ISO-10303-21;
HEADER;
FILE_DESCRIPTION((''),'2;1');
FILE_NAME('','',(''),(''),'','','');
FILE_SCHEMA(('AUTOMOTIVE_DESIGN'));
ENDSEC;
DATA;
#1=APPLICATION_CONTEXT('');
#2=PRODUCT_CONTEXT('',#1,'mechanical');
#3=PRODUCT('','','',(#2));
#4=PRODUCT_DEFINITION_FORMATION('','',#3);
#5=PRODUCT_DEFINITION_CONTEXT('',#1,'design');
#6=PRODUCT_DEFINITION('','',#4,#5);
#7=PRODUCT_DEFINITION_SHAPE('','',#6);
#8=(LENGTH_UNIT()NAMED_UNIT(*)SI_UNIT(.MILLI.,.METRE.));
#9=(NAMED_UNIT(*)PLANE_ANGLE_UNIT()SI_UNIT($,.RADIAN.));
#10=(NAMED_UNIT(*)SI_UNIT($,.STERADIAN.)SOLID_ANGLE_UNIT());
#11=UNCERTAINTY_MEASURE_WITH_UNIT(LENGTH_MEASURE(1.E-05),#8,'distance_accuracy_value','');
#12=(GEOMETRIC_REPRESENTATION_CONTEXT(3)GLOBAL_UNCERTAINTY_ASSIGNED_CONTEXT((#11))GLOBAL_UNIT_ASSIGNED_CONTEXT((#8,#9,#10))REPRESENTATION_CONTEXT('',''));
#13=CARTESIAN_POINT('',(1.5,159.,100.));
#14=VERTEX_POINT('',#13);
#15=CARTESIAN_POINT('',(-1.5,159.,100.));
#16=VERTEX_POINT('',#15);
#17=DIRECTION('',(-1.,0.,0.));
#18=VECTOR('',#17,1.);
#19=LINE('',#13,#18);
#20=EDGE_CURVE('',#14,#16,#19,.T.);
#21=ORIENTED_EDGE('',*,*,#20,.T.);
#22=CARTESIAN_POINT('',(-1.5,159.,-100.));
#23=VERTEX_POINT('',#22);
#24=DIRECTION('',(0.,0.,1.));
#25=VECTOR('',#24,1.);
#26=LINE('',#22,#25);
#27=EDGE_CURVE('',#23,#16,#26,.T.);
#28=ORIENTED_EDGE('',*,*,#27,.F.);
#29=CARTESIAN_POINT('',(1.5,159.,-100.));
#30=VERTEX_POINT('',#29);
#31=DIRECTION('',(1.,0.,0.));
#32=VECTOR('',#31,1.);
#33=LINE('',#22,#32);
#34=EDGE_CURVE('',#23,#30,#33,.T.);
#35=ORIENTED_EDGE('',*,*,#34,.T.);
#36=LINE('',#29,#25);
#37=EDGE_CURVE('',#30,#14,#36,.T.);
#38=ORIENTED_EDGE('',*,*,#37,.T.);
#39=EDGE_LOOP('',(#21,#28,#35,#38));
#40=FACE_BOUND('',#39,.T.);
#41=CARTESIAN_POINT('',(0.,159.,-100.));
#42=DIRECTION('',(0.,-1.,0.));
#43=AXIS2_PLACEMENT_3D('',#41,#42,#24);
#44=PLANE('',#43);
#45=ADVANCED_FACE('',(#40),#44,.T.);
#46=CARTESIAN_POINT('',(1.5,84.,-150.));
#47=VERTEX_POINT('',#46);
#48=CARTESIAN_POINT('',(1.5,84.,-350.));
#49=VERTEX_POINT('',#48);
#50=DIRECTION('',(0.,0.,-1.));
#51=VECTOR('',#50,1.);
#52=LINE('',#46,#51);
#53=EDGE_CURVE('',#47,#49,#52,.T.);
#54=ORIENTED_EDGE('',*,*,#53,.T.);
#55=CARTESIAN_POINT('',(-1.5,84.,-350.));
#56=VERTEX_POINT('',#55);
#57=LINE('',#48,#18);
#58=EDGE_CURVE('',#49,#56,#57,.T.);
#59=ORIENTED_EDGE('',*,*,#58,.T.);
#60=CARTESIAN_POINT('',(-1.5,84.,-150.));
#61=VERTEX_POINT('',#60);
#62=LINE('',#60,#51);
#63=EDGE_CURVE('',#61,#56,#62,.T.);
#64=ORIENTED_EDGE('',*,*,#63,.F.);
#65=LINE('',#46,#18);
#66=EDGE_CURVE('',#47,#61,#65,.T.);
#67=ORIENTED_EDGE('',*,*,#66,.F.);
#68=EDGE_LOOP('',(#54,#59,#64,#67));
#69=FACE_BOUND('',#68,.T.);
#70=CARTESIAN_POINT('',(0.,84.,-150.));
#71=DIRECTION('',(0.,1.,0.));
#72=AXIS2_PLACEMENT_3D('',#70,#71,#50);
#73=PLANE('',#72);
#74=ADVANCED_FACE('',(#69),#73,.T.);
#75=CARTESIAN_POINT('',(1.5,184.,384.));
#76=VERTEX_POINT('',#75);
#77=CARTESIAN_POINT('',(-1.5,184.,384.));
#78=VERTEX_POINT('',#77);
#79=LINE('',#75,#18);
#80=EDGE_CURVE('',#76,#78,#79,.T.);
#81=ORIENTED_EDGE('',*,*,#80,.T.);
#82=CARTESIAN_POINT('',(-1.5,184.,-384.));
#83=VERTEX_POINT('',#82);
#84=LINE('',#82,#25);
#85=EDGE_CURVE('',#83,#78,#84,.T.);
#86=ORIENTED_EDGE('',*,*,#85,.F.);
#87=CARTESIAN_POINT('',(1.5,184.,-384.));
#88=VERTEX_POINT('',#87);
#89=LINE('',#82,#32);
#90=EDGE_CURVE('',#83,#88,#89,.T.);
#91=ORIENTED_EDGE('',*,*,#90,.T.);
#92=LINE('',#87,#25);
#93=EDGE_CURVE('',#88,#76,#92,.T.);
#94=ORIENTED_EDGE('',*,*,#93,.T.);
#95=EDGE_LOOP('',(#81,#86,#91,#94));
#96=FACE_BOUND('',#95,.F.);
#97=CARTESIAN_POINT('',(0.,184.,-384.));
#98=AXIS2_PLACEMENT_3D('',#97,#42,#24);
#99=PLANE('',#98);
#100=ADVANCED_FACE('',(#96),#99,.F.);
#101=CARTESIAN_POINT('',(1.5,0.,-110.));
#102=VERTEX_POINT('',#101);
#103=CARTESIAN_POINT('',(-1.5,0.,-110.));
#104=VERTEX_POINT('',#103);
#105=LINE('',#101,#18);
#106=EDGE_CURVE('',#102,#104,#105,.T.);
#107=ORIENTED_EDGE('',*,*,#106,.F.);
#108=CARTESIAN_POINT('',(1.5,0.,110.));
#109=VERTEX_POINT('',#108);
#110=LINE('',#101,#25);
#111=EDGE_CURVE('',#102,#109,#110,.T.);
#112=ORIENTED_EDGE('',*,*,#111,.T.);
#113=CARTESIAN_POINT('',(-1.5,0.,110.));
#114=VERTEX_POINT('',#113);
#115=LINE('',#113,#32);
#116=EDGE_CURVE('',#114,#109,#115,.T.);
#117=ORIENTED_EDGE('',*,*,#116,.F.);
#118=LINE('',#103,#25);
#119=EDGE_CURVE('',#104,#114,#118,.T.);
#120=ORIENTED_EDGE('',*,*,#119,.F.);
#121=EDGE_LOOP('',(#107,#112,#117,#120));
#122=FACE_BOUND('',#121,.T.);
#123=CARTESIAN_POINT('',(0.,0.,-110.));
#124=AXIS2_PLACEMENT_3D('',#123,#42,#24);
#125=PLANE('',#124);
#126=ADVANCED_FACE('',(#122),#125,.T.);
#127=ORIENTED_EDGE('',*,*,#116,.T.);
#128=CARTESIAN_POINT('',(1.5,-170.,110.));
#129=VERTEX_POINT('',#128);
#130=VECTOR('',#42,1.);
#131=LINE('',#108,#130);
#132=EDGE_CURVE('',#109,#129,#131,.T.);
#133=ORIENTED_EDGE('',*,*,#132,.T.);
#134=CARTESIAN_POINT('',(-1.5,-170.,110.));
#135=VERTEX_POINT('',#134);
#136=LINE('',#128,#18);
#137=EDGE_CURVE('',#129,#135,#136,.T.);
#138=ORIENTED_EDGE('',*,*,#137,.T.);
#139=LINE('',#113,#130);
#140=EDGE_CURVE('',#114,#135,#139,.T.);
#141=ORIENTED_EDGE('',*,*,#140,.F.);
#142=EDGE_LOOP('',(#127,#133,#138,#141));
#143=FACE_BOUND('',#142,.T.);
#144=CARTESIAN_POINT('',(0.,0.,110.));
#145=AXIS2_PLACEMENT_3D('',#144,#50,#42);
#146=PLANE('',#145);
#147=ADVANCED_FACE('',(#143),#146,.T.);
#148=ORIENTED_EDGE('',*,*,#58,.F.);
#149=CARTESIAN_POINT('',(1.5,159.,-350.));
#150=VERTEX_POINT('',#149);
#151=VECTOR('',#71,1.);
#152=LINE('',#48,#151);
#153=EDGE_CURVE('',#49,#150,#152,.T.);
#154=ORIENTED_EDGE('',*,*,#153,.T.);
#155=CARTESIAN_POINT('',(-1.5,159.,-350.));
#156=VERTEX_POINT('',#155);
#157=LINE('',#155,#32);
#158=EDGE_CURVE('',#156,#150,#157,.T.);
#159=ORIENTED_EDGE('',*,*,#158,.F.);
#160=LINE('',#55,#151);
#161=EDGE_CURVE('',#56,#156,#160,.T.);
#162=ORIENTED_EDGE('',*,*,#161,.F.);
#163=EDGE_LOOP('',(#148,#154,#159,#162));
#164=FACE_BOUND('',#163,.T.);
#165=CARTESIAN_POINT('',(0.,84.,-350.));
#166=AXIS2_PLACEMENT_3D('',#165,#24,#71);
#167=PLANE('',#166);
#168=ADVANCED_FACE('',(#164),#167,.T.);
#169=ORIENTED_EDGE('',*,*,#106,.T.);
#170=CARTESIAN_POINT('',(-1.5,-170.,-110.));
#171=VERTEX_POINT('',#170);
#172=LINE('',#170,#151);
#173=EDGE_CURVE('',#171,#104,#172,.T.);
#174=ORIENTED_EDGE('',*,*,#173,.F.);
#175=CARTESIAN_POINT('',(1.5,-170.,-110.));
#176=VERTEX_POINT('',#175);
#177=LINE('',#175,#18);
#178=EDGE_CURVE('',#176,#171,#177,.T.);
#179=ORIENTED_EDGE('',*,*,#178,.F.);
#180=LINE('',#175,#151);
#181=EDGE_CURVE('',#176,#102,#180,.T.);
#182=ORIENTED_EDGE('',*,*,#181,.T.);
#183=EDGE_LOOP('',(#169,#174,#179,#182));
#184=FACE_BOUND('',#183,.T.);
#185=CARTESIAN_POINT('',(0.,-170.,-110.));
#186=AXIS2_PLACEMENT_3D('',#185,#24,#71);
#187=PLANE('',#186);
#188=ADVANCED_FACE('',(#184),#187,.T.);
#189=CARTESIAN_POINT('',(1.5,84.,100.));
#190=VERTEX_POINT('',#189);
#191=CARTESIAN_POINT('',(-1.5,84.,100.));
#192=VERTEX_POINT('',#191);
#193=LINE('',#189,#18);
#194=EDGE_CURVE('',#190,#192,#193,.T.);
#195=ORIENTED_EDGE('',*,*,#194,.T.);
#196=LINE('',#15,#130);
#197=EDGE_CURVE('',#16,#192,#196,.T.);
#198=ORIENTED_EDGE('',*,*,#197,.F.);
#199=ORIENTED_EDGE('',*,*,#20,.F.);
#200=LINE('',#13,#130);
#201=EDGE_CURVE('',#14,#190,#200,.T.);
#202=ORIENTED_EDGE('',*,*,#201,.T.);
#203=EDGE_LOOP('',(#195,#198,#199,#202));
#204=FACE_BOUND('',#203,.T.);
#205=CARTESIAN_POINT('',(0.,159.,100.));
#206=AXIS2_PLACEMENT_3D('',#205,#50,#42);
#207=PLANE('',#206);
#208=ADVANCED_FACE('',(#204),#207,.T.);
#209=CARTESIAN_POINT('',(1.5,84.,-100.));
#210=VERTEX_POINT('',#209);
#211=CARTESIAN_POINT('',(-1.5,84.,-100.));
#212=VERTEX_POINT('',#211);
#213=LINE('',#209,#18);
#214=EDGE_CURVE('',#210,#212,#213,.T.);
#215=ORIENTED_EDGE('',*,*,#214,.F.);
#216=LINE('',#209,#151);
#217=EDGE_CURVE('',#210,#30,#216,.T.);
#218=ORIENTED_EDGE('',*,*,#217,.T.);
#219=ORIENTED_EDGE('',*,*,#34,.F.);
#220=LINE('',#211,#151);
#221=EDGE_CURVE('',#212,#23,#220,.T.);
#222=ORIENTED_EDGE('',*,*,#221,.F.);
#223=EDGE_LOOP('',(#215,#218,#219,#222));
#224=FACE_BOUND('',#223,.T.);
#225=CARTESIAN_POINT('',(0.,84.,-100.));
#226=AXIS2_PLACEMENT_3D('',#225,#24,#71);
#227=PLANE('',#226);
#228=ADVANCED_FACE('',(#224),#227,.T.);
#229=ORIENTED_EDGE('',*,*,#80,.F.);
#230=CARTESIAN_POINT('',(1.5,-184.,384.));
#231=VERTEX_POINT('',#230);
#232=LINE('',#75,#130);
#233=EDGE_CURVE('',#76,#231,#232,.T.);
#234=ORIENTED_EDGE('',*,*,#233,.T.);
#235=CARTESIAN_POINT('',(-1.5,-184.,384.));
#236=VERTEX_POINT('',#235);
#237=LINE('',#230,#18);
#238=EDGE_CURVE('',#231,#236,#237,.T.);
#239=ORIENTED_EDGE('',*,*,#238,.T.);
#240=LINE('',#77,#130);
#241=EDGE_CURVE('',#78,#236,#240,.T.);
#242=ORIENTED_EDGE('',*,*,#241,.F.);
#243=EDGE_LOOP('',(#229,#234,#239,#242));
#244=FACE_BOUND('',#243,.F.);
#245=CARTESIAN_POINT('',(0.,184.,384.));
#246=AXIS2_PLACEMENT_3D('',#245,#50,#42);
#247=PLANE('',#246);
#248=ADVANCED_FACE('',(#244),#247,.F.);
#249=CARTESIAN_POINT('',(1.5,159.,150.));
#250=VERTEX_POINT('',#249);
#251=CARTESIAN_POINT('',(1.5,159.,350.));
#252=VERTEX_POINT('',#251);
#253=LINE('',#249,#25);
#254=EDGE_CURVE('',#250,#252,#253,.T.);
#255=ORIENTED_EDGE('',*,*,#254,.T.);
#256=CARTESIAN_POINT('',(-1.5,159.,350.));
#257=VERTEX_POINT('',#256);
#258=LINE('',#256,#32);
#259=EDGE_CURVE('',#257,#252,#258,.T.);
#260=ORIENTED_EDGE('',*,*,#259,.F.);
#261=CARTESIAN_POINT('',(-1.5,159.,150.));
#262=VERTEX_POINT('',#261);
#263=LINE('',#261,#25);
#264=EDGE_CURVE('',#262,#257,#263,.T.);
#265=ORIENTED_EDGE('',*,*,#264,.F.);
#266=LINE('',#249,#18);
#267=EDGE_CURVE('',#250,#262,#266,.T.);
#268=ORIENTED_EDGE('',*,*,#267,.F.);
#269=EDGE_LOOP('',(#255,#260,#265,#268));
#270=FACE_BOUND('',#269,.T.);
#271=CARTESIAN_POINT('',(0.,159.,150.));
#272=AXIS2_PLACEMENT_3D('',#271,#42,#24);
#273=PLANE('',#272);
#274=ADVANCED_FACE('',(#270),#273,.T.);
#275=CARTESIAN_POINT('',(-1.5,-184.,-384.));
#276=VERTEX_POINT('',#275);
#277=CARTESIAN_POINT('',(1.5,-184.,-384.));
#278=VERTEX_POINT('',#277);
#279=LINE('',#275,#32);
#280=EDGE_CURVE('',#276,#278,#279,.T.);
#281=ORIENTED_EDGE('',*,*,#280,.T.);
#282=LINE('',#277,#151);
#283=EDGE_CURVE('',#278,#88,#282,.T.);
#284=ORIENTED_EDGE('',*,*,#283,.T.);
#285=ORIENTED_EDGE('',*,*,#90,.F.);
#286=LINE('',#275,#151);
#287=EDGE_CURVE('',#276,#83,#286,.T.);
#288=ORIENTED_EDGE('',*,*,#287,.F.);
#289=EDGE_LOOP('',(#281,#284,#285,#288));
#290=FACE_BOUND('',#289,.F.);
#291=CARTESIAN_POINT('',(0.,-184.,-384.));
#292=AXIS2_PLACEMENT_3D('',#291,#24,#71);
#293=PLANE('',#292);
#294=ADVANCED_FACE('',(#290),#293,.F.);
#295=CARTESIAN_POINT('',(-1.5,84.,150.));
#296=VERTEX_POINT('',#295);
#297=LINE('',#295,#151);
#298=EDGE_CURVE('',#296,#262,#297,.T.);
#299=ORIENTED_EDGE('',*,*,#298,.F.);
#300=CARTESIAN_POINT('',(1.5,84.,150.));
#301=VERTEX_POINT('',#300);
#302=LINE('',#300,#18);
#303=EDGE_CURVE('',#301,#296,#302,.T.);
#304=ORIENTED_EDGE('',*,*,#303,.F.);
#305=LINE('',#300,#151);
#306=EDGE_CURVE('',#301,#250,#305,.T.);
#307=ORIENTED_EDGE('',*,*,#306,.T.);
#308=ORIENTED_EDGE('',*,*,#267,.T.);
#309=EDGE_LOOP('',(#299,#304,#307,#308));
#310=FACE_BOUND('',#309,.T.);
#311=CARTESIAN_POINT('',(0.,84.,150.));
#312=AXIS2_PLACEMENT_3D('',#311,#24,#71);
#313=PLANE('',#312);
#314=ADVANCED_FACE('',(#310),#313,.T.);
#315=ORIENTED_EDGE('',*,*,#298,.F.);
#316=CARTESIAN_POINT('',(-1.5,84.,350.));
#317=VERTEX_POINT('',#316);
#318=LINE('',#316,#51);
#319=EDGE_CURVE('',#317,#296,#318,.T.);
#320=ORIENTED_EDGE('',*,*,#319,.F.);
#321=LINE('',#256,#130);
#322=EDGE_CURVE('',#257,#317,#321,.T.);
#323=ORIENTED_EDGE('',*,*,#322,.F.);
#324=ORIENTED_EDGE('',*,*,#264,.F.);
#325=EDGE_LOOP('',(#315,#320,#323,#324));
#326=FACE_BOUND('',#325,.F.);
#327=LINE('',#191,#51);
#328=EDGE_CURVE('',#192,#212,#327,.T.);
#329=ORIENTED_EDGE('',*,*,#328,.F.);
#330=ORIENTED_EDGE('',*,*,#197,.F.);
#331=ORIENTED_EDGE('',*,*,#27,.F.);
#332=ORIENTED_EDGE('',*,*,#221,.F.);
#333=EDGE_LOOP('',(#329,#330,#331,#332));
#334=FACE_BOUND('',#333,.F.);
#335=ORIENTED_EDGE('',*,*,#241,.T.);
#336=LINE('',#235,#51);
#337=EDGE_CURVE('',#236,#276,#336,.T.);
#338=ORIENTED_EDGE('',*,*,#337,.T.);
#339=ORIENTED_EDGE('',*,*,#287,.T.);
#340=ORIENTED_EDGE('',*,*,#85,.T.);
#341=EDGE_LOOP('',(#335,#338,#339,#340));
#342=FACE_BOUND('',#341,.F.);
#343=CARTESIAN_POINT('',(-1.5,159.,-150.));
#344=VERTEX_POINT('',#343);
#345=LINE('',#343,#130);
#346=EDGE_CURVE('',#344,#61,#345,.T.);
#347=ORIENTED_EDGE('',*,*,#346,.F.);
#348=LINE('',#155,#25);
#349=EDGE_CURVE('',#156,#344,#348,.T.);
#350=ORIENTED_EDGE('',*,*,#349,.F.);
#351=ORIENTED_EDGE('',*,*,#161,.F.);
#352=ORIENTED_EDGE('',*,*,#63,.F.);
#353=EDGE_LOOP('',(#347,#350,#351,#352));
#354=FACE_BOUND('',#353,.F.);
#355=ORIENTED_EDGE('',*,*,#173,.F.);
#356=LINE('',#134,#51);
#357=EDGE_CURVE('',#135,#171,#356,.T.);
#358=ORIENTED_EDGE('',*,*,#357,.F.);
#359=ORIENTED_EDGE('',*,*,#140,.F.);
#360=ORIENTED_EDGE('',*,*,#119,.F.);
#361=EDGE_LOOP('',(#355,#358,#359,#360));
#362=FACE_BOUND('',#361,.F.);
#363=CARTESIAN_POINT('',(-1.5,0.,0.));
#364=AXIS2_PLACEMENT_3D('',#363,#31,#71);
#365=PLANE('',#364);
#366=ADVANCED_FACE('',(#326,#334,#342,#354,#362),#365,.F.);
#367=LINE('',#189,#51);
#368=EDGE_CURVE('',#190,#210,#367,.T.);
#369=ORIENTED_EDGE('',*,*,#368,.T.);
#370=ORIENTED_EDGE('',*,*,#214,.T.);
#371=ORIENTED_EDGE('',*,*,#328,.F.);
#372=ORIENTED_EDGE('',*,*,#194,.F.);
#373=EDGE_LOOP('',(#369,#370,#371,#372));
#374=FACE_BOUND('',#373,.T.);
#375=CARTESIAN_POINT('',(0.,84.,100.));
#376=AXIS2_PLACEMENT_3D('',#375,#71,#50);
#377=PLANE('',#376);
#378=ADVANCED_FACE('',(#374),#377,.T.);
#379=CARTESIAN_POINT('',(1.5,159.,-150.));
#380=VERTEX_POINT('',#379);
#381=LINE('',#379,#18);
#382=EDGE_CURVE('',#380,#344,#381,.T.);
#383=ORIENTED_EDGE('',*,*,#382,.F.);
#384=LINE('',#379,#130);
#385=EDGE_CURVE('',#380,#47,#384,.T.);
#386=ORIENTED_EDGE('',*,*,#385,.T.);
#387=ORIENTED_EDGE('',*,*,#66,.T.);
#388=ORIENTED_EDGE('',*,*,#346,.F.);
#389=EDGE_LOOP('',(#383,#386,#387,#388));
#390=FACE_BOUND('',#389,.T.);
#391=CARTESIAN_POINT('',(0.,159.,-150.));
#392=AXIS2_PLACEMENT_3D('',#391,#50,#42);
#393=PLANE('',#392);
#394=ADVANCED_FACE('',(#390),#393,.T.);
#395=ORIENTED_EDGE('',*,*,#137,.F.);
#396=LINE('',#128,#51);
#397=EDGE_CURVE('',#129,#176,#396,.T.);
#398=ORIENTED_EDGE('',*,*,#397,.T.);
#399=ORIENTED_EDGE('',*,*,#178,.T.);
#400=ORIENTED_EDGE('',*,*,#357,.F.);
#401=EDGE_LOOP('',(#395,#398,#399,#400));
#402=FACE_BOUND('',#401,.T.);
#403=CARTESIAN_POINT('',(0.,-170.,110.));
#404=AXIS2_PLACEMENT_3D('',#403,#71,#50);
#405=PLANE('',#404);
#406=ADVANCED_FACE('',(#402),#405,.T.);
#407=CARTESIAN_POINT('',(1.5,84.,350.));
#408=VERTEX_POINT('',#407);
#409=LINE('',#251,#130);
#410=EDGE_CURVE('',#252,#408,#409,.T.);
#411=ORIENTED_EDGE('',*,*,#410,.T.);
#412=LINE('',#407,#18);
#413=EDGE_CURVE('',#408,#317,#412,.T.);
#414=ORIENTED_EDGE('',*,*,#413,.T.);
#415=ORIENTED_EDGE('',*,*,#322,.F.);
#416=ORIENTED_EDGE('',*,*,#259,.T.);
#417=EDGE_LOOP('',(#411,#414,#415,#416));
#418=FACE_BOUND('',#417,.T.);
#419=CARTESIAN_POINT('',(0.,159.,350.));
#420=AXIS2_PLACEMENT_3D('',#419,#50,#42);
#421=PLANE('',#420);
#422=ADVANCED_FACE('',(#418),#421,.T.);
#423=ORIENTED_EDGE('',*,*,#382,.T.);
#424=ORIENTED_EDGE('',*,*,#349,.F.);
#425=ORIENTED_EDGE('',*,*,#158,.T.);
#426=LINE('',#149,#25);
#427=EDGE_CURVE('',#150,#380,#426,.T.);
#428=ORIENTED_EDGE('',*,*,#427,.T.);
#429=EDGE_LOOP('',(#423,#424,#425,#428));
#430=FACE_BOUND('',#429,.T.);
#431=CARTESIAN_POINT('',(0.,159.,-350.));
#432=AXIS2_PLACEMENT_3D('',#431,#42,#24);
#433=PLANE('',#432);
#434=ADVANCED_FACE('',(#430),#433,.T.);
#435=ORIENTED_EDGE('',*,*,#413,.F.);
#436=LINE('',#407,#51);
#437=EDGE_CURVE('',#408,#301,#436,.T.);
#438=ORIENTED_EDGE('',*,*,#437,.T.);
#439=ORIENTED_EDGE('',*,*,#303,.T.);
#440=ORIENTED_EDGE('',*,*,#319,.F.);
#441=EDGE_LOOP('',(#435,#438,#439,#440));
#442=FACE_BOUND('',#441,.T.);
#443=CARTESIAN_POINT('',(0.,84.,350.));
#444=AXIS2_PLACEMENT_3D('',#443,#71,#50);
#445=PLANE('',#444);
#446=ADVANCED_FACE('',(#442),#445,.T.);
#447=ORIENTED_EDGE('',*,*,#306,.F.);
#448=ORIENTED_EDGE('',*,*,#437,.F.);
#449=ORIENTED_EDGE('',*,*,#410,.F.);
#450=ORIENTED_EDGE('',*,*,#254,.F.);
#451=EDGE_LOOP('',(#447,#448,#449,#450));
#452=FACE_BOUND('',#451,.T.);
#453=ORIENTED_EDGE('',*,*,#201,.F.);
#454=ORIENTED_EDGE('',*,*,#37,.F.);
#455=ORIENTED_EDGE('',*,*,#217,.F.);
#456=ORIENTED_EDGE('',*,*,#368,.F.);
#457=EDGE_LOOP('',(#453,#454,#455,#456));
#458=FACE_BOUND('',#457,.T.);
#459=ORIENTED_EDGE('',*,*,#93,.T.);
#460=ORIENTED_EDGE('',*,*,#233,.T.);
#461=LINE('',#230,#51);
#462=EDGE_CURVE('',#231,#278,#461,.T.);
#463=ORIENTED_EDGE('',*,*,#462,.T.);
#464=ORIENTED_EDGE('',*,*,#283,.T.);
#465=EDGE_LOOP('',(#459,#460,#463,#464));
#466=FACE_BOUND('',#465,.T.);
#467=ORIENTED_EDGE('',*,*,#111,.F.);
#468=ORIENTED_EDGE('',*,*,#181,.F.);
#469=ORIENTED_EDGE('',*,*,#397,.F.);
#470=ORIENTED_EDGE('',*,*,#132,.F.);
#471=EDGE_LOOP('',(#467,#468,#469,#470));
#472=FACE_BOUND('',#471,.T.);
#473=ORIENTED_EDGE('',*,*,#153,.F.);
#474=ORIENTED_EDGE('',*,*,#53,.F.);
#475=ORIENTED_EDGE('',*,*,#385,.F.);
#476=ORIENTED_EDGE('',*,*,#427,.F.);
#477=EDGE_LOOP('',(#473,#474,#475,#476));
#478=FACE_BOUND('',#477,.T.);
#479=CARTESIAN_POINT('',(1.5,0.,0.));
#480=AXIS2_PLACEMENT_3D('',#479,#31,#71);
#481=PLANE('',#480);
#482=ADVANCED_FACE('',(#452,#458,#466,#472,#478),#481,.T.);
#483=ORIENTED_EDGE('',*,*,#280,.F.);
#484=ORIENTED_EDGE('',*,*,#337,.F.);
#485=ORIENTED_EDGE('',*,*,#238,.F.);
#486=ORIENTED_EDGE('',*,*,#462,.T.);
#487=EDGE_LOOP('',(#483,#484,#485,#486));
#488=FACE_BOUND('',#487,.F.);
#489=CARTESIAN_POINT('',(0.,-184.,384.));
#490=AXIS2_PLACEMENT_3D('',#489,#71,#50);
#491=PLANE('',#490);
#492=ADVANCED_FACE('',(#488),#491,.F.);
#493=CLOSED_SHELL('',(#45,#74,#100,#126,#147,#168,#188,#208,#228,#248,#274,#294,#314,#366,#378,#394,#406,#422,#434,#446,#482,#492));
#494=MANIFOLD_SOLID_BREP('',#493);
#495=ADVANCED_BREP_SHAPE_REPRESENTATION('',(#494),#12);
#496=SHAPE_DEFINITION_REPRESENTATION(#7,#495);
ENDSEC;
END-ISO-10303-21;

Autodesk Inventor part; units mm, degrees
ref_plane "YZ Plane" through (0, 0, 0) normal (1, 0, 0) x (0, 1, 0)
ref_plane "XZ Plane" through (0, 0, 0) normal (0, 1, 0) x (-1, 0, 0)
ref_plane "XY Plane" through (0, 0, 0) normal (0, 0, 1) x (1, 0, 0)
sketch "Sketch1" plane through (0, 0, 0) normal (1, 0, 0) x (0, 1, 0)
  line L0 (-184, -384) -> (184, -384)
  line L1 (184, -384) -> (184, 384)
  line L2 (184, 384) -> (-184, 384)
  line L3 (-184, 384) -> (-184, -384)
  line L4 (-184, -384) -> (184, 384) construction
  line L5 (184, -384) -> (-184, 384) construction
  line L6 (159, 350) -> (84, 350)
  line L7 (84, 350) -> (84, 150)
  line L8 (84, 150) -> (159, 150)
  line L9 (159, 150) -> (159, 350)
  line L10 (159, -100) -> (159, 100)
  line L11 (159, 100) -> (84, 100)
  line L12 (84, 100) -> (84, -100)
  line L13 (84, -100) -> (159, -100)
  line L14 (159, -350) -> (159, -150)
  line L15 (159, -150) -> (84, -150)
  line L16 (84, -150) -> (84, -350)
  line L17 (84, -350) -> (159, -350)
  line L18 (0, 110) -> (-170, 110)
  line L19 (-170, 110) -> (-170, -110)
  line L20 (-170, -110) -> (0, -110)
  line L21 (0, -110) -> (0, 110)
  point P0 (0, 0)
  dimension "d0" = 768
  dimension "d1" = 368
  dimension "d2" = 200
  dimension "d3" = 75
  dimension "d4" = 34
  dimension "d5" = 25
  dimension "d8" = 250
  dimension "d15" = 170
  dimension "d16" = 220
extrude "Extrusion1" add sketch "Sketch1" along normal mid plane 3
properties part number "Posterior" material "Acrylic"
